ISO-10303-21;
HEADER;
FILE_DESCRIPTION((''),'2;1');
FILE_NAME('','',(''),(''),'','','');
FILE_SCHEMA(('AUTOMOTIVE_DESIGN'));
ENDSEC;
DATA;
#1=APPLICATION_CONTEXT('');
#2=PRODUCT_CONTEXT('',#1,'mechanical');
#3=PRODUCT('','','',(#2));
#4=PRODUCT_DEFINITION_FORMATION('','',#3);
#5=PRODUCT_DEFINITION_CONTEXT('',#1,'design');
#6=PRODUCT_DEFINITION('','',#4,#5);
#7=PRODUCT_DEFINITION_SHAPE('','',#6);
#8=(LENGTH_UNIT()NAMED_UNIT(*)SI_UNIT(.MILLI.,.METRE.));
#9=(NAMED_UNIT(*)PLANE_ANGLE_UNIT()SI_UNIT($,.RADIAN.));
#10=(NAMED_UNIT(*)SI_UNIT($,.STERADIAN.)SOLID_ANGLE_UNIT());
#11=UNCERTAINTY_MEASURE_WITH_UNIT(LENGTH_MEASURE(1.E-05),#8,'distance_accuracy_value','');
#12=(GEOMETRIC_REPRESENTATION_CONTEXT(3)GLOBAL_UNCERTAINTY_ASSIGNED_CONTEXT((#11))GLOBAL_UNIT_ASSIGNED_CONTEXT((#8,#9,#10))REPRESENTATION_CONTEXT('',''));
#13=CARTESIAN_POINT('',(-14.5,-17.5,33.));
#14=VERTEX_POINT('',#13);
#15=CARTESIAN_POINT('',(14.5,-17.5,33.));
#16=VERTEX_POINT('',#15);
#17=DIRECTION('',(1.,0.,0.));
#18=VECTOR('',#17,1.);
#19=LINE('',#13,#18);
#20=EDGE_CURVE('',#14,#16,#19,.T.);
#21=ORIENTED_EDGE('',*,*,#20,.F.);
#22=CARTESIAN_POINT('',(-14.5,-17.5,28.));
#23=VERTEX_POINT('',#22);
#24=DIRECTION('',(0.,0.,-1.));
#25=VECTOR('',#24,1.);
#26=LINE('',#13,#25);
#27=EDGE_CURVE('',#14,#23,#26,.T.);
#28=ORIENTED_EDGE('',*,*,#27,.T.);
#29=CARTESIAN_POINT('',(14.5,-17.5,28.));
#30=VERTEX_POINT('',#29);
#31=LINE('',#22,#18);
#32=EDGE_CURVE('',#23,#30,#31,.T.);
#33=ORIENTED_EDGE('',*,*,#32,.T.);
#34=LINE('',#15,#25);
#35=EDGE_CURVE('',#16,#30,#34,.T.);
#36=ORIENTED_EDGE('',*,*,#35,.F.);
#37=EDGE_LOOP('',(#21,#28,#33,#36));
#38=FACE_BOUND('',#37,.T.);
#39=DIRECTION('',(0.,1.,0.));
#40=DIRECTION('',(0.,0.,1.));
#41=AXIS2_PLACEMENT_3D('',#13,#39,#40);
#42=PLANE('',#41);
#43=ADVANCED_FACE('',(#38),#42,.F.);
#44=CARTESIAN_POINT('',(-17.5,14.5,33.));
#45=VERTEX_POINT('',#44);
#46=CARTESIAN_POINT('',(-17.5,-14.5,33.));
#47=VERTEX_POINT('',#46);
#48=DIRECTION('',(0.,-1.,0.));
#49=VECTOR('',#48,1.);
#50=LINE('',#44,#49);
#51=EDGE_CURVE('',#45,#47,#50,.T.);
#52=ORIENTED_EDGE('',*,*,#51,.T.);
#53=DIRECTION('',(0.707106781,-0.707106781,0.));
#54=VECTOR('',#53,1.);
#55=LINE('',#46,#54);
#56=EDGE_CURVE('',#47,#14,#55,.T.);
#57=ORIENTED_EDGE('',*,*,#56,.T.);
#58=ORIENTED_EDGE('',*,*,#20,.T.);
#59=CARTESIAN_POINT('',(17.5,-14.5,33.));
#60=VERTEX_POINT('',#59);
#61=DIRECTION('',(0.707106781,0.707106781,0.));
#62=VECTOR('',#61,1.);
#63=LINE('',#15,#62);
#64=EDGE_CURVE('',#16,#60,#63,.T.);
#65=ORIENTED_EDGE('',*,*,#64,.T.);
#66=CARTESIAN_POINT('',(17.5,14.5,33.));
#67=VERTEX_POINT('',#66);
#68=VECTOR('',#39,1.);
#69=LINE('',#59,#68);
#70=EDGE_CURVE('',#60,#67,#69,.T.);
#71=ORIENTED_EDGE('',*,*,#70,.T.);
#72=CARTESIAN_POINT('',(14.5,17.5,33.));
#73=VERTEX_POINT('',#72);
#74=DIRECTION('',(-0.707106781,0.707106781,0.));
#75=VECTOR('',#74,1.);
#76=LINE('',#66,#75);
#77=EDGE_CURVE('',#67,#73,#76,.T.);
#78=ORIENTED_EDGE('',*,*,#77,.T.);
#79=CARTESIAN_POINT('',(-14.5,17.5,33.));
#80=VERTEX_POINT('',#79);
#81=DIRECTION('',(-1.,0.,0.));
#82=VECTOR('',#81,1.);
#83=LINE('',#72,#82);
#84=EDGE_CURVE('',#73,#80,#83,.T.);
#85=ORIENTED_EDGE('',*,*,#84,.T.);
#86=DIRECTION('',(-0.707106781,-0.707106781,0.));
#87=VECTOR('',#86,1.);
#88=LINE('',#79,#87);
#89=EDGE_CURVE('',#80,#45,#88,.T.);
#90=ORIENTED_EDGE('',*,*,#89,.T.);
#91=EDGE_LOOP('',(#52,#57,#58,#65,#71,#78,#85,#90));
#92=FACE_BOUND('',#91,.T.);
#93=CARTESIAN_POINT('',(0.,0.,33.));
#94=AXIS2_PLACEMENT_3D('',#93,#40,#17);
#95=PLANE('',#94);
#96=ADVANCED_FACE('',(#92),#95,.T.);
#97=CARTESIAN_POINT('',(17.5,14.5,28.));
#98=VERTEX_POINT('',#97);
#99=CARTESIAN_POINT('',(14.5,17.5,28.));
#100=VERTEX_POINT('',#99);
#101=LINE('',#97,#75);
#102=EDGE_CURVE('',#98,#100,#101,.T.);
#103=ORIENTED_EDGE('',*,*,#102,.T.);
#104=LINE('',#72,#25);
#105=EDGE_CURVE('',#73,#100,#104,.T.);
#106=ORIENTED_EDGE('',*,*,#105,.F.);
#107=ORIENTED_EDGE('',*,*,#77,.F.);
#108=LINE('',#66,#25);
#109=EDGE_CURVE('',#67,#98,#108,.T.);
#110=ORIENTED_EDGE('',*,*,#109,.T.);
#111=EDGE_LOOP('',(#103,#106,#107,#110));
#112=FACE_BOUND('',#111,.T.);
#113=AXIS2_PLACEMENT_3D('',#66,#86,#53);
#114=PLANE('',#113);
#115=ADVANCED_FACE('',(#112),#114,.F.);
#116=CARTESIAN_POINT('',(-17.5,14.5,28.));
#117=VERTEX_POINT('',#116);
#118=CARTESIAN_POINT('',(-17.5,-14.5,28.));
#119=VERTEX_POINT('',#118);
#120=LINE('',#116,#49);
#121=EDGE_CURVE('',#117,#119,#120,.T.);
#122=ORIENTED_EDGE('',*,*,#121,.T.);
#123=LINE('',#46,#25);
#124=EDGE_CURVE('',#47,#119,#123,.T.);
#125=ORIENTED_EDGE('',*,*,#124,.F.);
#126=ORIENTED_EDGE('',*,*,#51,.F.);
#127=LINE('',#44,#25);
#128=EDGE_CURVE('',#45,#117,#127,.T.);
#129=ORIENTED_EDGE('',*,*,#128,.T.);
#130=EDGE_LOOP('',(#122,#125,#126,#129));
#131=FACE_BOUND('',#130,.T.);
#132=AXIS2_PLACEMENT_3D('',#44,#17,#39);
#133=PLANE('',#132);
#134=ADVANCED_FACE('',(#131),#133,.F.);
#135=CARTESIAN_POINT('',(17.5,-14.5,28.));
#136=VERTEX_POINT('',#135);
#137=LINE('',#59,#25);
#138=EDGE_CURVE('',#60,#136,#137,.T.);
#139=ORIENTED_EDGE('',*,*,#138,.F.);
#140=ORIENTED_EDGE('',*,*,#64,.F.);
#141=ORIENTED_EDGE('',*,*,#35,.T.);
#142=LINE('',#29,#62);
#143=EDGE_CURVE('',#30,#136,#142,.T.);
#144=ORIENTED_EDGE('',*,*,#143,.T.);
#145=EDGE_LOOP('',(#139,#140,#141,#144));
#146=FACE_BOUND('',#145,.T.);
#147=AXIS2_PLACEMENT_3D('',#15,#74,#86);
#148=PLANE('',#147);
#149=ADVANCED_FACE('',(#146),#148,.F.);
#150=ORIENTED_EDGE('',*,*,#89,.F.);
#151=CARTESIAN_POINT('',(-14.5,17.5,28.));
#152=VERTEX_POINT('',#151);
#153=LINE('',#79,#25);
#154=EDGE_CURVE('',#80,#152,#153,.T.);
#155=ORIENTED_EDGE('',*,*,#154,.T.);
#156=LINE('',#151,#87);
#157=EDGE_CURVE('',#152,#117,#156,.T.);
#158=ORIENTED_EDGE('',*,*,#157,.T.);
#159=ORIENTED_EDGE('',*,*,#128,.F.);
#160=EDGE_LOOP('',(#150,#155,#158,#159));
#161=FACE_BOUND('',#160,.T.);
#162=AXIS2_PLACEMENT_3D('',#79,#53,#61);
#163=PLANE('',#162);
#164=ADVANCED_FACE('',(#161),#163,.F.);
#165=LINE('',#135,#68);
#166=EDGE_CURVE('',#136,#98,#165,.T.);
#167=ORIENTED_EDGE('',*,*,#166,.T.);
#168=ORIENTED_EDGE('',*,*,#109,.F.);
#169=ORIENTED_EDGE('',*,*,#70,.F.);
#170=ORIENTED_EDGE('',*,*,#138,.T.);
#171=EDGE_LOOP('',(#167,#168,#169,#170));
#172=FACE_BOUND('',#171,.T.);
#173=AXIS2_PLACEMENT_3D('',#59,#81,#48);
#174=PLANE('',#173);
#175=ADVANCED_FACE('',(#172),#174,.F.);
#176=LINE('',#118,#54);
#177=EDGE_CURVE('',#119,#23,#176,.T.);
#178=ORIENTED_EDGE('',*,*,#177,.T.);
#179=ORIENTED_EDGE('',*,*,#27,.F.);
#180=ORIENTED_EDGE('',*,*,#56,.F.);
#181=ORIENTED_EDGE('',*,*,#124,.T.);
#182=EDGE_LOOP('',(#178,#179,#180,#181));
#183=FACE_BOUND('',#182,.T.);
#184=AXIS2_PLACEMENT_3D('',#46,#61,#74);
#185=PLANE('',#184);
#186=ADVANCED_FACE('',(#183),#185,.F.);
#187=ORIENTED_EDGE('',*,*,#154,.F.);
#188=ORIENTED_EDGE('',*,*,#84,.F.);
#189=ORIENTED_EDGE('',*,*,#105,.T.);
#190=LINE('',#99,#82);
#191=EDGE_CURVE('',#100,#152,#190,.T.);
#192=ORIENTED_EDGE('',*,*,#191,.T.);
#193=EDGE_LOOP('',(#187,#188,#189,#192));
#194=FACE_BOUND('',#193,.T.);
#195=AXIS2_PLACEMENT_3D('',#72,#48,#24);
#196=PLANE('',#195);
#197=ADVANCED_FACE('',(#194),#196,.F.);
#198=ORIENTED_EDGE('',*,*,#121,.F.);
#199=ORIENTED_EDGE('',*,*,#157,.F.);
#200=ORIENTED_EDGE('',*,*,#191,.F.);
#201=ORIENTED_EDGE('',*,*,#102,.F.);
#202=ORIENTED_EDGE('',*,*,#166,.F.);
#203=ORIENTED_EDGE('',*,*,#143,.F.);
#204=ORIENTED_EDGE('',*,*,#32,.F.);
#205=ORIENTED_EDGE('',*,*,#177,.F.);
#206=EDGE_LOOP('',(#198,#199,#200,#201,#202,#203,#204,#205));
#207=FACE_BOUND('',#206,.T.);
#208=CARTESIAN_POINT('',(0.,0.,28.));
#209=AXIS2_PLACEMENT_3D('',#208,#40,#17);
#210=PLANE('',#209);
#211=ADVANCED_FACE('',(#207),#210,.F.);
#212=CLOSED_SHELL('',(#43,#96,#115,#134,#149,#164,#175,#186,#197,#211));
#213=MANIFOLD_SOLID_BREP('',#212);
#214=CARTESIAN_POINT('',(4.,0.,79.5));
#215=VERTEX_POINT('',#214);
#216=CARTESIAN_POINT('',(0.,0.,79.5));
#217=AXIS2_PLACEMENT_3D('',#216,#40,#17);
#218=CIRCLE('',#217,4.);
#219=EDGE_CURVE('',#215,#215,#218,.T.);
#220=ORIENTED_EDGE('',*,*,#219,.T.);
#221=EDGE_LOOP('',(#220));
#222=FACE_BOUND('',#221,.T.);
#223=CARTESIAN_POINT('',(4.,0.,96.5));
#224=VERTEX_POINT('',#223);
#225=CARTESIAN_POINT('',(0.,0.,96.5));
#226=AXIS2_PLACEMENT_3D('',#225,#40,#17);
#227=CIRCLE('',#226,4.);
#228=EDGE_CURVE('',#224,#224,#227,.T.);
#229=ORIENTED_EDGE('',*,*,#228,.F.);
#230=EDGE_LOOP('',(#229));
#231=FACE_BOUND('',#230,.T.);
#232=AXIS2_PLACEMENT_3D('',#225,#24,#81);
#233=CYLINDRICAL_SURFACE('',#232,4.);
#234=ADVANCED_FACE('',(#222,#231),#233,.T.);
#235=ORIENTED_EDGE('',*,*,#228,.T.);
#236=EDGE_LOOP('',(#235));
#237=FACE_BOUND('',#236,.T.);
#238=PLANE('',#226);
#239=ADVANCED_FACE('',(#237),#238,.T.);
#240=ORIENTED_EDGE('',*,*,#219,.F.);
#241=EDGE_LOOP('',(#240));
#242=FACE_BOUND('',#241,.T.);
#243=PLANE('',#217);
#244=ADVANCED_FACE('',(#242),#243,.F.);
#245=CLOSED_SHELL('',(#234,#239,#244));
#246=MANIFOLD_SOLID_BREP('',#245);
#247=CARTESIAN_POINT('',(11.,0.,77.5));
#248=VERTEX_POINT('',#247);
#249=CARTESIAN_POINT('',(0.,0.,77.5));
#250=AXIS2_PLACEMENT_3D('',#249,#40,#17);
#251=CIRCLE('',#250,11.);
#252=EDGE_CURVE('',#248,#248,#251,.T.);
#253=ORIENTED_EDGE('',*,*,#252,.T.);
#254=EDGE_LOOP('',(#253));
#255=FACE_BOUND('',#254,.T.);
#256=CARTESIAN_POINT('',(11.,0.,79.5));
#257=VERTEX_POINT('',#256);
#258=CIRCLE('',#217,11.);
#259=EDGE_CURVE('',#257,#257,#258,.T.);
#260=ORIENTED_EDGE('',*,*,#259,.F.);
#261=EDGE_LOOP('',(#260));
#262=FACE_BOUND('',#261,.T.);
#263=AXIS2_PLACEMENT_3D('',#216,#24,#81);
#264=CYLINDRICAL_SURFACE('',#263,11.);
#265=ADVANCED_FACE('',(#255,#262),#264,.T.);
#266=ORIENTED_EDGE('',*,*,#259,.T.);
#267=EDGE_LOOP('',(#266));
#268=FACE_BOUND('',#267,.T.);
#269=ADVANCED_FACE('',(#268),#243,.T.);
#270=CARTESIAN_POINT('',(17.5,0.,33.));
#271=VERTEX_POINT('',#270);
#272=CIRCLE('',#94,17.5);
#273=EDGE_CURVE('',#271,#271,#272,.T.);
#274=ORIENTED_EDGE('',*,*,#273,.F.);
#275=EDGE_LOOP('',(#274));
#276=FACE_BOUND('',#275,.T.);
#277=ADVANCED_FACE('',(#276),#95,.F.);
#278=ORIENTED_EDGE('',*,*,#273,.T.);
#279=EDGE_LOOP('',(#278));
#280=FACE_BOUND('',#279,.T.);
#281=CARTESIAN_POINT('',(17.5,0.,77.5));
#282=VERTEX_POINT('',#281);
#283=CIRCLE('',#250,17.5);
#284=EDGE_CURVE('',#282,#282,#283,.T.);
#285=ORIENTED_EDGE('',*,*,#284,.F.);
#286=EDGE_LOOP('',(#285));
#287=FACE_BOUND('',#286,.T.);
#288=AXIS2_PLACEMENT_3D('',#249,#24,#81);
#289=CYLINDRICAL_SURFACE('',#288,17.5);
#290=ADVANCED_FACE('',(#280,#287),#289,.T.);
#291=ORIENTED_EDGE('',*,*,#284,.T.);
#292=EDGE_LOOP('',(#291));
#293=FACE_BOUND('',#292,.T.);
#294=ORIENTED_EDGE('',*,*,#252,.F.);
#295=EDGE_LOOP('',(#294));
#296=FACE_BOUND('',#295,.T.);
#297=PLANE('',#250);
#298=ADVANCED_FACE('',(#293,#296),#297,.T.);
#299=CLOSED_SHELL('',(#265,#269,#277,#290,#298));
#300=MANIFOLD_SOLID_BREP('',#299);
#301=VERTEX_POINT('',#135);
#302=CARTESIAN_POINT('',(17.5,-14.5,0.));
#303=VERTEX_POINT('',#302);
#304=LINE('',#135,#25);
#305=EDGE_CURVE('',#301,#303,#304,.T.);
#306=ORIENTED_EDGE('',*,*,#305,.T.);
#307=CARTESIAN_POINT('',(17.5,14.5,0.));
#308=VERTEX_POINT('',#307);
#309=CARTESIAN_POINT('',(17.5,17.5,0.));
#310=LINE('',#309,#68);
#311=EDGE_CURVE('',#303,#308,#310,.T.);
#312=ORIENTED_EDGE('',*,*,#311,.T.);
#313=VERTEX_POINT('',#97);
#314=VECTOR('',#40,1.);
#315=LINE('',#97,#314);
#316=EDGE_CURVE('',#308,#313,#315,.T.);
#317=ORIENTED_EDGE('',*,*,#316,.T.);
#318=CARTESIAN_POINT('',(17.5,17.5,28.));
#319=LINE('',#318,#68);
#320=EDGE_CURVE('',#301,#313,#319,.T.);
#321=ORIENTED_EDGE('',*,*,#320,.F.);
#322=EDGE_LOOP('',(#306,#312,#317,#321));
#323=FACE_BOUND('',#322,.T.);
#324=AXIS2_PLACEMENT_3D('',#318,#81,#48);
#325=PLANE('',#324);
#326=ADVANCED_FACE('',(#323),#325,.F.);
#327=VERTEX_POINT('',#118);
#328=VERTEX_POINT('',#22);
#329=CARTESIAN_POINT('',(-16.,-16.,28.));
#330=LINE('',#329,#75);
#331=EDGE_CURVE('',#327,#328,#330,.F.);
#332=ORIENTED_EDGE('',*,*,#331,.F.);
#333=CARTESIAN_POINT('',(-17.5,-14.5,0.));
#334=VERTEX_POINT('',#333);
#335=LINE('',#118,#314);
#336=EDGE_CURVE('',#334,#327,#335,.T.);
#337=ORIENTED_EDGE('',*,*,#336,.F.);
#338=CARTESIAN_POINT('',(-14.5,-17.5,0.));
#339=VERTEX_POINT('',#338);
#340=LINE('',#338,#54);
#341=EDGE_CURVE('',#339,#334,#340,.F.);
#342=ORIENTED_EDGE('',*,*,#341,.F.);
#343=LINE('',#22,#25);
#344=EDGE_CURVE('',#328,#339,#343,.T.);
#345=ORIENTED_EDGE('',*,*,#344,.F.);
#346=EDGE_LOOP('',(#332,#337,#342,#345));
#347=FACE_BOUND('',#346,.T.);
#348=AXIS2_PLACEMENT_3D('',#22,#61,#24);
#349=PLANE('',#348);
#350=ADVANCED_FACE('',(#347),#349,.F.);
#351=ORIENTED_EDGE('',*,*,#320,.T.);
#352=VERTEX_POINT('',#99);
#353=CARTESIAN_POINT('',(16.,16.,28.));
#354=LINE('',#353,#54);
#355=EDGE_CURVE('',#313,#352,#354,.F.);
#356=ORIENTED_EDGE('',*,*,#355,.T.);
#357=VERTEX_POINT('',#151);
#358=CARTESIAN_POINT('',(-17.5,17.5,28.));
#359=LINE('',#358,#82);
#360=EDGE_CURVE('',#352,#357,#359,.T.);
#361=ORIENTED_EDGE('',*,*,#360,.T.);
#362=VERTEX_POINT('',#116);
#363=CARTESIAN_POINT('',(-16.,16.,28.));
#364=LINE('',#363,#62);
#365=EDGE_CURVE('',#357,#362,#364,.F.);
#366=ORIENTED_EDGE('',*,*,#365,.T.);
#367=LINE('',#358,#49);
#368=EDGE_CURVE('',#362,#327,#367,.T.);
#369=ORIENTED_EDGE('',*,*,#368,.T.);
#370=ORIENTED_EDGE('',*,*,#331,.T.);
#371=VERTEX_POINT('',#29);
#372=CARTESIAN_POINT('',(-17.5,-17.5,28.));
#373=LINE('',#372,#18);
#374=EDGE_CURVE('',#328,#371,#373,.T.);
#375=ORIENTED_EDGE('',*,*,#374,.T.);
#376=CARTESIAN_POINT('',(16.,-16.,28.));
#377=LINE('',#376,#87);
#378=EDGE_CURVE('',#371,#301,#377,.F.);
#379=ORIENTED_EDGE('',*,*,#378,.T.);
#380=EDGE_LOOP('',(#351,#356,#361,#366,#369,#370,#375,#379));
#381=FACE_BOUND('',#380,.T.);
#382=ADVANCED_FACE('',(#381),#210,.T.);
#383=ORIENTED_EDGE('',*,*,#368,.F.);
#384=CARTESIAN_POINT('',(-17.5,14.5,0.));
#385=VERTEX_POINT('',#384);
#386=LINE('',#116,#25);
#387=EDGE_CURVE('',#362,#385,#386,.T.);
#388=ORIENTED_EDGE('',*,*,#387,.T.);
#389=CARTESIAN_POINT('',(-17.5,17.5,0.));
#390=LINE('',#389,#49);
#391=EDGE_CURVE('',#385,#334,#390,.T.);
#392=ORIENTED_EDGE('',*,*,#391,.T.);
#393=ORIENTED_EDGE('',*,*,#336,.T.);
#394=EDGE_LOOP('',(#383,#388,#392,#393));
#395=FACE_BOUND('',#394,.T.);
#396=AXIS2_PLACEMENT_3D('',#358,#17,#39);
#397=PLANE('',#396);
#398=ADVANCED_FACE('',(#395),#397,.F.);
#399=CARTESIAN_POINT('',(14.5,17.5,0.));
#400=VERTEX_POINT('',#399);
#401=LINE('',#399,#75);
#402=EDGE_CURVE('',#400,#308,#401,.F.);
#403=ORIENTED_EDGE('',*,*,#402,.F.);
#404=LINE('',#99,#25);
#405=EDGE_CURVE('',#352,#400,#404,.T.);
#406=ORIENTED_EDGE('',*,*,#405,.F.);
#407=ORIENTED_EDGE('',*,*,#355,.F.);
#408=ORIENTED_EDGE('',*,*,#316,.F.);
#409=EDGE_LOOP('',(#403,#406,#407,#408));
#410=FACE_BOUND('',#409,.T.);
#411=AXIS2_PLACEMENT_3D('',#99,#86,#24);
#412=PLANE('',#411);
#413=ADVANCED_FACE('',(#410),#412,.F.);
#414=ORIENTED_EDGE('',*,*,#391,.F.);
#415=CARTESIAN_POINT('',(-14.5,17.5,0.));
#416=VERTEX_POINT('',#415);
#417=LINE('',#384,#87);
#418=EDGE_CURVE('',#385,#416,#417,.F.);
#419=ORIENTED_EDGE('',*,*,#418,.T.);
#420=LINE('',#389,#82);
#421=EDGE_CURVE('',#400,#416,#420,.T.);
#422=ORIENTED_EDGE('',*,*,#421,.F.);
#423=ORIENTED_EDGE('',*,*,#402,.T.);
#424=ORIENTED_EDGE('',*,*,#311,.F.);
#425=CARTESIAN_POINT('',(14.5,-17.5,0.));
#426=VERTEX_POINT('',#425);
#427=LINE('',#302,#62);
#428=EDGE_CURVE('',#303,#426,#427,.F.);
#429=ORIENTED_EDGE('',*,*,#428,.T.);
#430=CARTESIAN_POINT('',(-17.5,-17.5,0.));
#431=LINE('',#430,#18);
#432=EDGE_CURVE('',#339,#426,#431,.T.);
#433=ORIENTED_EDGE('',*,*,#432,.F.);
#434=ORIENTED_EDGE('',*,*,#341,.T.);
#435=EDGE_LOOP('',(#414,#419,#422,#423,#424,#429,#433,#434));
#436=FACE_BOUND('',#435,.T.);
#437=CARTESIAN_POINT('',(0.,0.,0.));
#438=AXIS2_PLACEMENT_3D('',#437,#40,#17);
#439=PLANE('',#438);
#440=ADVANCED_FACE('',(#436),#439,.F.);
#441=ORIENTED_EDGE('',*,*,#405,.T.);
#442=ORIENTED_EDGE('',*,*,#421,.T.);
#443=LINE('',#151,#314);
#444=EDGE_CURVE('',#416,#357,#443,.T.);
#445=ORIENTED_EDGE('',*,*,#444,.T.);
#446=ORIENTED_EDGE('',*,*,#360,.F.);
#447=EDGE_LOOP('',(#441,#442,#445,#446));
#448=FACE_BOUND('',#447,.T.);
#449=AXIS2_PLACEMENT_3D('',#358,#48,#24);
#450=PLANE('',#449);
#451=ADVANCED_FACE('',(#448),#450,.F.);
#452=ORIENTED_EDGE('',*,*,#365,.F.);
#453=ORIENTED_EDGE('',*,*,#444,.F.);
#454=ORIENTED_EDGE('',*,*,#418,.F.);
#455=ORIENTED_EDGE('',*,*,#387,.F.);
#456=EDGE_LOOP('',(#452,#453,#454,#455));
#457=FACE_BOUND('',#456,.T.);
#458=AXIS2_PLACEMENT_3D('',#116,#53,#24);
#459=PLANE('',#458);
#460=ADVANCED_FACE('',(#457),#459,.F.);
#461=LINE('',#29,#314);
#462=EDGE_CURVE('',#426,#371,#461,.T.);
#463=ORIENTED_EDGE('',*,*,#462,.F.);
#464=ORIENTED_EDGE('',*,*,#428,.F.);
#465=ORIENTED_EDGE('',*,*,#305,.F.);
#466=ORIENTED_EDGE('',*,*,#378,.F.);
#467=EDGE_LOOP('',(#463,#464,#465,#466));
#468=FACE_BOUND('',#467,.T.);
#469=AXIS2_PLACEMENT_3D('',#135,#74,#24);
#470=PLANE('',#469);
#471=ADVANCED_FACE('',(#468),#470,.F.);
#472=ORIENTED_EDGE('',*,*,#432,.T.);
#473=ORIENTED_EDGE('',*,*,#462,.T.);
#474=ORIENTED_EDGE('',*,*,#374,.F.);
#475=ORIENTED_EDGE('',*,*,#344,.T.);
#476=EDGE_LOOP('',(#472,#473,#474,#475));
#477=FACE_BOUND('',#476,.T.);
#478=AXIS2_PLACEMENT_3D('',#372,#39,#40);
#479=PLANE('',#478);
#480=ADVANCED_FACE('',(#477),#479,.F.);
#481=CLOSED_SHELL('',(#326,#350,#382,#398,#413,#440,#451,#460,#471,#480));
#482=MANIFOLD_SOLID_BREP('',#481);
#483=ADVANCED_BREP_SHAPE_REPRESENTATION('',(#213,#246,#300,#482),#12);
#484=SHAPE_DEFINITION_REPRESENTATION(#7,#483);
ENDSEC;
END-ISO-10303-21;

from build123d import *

# Parameters (mm, degrees)
SKETCH1_W           = 35
SKETCH1_H           = 35
BOSS_EXTRUDE1_DEPTH = 28
CHAMFER1_SIZE       = 3
BOSS_EXTRUDE2_DEPTH = 5
SKETCH3_R           = 17.5
BOSS_EXTRUDE3_DEPTH = 44.5
SKETCH4_R           = 11
BOSS_EXTRUDE4_DEPTH = 2
SKETCH5_R           = 4
BOSS_EXTRUDE5_DEPTH = 17


with BuildPart() as part:
    # Sketch1 → Boss-Extrude1 (new body)
    with BuildSketch(Plane.XY):
        Rectangle(SKETCH1_W, SKETCH1_H)
    extrude(amount=BOSS_EXTRUDE1_DEPTH)

    # Chamfer1
    chamfer1_edges = [part.edges().sort_by_distance(p)[0] for p in [
        (17.5, -17.5, 14),
        (-17.5, -17.5, 14),
        (-17.5, 17.5, 14),
        (17.5, 17.5, 14),
    ]]
    chamfer(chamfer1_edges, length=CHAMFER1_SIZE)


with BuildPart() as body_2:
    # Sketch2 → Boss-Extrude2 (new body)
    with BuildSketch(Plane.XY.offset(28)):
        Polygon((-14.5, -17.5), (14.5, -17.5), (17.5, -14.5), (17.5, 14.5), (14.5, 17.5), (-14.5, 17.5), (-17.5, 14.5), (-17.5, -14.5), align=None)
    extrude(amount=BOSS_EXTRUDE2_DEPTH)


with BuildPart() as body_3:
    # Sketch3 → Boss-Extrude3 (new body)
    with BuildSketch(Plane.XY.offset(33)):
        Circle(SKETCH3_R)
    extrude(amount=BOSS_EXTRUDE3_DEPTH)

    # Sketch4 → Boss-Extrude4 (add)
    with BuildSketch(Plane.XY.offset(77.5)):
        Circle(SKETCH4_R)
    extrude(amount=BOSS_EXTRUDE4_DEPTH)


with BuildPart() as body_4:
    # Sketch5 → Boss-Extrude5 (new body)
    with BuildSketch(Plane.XY.offset(79.5)):
        Circle(SKETCH5_R)
    extrude(amount=BOSS_EXTRUDE5_DEPTH)


solid = Compound([part.part, body_2.part, body_3.part, body_4.part])
